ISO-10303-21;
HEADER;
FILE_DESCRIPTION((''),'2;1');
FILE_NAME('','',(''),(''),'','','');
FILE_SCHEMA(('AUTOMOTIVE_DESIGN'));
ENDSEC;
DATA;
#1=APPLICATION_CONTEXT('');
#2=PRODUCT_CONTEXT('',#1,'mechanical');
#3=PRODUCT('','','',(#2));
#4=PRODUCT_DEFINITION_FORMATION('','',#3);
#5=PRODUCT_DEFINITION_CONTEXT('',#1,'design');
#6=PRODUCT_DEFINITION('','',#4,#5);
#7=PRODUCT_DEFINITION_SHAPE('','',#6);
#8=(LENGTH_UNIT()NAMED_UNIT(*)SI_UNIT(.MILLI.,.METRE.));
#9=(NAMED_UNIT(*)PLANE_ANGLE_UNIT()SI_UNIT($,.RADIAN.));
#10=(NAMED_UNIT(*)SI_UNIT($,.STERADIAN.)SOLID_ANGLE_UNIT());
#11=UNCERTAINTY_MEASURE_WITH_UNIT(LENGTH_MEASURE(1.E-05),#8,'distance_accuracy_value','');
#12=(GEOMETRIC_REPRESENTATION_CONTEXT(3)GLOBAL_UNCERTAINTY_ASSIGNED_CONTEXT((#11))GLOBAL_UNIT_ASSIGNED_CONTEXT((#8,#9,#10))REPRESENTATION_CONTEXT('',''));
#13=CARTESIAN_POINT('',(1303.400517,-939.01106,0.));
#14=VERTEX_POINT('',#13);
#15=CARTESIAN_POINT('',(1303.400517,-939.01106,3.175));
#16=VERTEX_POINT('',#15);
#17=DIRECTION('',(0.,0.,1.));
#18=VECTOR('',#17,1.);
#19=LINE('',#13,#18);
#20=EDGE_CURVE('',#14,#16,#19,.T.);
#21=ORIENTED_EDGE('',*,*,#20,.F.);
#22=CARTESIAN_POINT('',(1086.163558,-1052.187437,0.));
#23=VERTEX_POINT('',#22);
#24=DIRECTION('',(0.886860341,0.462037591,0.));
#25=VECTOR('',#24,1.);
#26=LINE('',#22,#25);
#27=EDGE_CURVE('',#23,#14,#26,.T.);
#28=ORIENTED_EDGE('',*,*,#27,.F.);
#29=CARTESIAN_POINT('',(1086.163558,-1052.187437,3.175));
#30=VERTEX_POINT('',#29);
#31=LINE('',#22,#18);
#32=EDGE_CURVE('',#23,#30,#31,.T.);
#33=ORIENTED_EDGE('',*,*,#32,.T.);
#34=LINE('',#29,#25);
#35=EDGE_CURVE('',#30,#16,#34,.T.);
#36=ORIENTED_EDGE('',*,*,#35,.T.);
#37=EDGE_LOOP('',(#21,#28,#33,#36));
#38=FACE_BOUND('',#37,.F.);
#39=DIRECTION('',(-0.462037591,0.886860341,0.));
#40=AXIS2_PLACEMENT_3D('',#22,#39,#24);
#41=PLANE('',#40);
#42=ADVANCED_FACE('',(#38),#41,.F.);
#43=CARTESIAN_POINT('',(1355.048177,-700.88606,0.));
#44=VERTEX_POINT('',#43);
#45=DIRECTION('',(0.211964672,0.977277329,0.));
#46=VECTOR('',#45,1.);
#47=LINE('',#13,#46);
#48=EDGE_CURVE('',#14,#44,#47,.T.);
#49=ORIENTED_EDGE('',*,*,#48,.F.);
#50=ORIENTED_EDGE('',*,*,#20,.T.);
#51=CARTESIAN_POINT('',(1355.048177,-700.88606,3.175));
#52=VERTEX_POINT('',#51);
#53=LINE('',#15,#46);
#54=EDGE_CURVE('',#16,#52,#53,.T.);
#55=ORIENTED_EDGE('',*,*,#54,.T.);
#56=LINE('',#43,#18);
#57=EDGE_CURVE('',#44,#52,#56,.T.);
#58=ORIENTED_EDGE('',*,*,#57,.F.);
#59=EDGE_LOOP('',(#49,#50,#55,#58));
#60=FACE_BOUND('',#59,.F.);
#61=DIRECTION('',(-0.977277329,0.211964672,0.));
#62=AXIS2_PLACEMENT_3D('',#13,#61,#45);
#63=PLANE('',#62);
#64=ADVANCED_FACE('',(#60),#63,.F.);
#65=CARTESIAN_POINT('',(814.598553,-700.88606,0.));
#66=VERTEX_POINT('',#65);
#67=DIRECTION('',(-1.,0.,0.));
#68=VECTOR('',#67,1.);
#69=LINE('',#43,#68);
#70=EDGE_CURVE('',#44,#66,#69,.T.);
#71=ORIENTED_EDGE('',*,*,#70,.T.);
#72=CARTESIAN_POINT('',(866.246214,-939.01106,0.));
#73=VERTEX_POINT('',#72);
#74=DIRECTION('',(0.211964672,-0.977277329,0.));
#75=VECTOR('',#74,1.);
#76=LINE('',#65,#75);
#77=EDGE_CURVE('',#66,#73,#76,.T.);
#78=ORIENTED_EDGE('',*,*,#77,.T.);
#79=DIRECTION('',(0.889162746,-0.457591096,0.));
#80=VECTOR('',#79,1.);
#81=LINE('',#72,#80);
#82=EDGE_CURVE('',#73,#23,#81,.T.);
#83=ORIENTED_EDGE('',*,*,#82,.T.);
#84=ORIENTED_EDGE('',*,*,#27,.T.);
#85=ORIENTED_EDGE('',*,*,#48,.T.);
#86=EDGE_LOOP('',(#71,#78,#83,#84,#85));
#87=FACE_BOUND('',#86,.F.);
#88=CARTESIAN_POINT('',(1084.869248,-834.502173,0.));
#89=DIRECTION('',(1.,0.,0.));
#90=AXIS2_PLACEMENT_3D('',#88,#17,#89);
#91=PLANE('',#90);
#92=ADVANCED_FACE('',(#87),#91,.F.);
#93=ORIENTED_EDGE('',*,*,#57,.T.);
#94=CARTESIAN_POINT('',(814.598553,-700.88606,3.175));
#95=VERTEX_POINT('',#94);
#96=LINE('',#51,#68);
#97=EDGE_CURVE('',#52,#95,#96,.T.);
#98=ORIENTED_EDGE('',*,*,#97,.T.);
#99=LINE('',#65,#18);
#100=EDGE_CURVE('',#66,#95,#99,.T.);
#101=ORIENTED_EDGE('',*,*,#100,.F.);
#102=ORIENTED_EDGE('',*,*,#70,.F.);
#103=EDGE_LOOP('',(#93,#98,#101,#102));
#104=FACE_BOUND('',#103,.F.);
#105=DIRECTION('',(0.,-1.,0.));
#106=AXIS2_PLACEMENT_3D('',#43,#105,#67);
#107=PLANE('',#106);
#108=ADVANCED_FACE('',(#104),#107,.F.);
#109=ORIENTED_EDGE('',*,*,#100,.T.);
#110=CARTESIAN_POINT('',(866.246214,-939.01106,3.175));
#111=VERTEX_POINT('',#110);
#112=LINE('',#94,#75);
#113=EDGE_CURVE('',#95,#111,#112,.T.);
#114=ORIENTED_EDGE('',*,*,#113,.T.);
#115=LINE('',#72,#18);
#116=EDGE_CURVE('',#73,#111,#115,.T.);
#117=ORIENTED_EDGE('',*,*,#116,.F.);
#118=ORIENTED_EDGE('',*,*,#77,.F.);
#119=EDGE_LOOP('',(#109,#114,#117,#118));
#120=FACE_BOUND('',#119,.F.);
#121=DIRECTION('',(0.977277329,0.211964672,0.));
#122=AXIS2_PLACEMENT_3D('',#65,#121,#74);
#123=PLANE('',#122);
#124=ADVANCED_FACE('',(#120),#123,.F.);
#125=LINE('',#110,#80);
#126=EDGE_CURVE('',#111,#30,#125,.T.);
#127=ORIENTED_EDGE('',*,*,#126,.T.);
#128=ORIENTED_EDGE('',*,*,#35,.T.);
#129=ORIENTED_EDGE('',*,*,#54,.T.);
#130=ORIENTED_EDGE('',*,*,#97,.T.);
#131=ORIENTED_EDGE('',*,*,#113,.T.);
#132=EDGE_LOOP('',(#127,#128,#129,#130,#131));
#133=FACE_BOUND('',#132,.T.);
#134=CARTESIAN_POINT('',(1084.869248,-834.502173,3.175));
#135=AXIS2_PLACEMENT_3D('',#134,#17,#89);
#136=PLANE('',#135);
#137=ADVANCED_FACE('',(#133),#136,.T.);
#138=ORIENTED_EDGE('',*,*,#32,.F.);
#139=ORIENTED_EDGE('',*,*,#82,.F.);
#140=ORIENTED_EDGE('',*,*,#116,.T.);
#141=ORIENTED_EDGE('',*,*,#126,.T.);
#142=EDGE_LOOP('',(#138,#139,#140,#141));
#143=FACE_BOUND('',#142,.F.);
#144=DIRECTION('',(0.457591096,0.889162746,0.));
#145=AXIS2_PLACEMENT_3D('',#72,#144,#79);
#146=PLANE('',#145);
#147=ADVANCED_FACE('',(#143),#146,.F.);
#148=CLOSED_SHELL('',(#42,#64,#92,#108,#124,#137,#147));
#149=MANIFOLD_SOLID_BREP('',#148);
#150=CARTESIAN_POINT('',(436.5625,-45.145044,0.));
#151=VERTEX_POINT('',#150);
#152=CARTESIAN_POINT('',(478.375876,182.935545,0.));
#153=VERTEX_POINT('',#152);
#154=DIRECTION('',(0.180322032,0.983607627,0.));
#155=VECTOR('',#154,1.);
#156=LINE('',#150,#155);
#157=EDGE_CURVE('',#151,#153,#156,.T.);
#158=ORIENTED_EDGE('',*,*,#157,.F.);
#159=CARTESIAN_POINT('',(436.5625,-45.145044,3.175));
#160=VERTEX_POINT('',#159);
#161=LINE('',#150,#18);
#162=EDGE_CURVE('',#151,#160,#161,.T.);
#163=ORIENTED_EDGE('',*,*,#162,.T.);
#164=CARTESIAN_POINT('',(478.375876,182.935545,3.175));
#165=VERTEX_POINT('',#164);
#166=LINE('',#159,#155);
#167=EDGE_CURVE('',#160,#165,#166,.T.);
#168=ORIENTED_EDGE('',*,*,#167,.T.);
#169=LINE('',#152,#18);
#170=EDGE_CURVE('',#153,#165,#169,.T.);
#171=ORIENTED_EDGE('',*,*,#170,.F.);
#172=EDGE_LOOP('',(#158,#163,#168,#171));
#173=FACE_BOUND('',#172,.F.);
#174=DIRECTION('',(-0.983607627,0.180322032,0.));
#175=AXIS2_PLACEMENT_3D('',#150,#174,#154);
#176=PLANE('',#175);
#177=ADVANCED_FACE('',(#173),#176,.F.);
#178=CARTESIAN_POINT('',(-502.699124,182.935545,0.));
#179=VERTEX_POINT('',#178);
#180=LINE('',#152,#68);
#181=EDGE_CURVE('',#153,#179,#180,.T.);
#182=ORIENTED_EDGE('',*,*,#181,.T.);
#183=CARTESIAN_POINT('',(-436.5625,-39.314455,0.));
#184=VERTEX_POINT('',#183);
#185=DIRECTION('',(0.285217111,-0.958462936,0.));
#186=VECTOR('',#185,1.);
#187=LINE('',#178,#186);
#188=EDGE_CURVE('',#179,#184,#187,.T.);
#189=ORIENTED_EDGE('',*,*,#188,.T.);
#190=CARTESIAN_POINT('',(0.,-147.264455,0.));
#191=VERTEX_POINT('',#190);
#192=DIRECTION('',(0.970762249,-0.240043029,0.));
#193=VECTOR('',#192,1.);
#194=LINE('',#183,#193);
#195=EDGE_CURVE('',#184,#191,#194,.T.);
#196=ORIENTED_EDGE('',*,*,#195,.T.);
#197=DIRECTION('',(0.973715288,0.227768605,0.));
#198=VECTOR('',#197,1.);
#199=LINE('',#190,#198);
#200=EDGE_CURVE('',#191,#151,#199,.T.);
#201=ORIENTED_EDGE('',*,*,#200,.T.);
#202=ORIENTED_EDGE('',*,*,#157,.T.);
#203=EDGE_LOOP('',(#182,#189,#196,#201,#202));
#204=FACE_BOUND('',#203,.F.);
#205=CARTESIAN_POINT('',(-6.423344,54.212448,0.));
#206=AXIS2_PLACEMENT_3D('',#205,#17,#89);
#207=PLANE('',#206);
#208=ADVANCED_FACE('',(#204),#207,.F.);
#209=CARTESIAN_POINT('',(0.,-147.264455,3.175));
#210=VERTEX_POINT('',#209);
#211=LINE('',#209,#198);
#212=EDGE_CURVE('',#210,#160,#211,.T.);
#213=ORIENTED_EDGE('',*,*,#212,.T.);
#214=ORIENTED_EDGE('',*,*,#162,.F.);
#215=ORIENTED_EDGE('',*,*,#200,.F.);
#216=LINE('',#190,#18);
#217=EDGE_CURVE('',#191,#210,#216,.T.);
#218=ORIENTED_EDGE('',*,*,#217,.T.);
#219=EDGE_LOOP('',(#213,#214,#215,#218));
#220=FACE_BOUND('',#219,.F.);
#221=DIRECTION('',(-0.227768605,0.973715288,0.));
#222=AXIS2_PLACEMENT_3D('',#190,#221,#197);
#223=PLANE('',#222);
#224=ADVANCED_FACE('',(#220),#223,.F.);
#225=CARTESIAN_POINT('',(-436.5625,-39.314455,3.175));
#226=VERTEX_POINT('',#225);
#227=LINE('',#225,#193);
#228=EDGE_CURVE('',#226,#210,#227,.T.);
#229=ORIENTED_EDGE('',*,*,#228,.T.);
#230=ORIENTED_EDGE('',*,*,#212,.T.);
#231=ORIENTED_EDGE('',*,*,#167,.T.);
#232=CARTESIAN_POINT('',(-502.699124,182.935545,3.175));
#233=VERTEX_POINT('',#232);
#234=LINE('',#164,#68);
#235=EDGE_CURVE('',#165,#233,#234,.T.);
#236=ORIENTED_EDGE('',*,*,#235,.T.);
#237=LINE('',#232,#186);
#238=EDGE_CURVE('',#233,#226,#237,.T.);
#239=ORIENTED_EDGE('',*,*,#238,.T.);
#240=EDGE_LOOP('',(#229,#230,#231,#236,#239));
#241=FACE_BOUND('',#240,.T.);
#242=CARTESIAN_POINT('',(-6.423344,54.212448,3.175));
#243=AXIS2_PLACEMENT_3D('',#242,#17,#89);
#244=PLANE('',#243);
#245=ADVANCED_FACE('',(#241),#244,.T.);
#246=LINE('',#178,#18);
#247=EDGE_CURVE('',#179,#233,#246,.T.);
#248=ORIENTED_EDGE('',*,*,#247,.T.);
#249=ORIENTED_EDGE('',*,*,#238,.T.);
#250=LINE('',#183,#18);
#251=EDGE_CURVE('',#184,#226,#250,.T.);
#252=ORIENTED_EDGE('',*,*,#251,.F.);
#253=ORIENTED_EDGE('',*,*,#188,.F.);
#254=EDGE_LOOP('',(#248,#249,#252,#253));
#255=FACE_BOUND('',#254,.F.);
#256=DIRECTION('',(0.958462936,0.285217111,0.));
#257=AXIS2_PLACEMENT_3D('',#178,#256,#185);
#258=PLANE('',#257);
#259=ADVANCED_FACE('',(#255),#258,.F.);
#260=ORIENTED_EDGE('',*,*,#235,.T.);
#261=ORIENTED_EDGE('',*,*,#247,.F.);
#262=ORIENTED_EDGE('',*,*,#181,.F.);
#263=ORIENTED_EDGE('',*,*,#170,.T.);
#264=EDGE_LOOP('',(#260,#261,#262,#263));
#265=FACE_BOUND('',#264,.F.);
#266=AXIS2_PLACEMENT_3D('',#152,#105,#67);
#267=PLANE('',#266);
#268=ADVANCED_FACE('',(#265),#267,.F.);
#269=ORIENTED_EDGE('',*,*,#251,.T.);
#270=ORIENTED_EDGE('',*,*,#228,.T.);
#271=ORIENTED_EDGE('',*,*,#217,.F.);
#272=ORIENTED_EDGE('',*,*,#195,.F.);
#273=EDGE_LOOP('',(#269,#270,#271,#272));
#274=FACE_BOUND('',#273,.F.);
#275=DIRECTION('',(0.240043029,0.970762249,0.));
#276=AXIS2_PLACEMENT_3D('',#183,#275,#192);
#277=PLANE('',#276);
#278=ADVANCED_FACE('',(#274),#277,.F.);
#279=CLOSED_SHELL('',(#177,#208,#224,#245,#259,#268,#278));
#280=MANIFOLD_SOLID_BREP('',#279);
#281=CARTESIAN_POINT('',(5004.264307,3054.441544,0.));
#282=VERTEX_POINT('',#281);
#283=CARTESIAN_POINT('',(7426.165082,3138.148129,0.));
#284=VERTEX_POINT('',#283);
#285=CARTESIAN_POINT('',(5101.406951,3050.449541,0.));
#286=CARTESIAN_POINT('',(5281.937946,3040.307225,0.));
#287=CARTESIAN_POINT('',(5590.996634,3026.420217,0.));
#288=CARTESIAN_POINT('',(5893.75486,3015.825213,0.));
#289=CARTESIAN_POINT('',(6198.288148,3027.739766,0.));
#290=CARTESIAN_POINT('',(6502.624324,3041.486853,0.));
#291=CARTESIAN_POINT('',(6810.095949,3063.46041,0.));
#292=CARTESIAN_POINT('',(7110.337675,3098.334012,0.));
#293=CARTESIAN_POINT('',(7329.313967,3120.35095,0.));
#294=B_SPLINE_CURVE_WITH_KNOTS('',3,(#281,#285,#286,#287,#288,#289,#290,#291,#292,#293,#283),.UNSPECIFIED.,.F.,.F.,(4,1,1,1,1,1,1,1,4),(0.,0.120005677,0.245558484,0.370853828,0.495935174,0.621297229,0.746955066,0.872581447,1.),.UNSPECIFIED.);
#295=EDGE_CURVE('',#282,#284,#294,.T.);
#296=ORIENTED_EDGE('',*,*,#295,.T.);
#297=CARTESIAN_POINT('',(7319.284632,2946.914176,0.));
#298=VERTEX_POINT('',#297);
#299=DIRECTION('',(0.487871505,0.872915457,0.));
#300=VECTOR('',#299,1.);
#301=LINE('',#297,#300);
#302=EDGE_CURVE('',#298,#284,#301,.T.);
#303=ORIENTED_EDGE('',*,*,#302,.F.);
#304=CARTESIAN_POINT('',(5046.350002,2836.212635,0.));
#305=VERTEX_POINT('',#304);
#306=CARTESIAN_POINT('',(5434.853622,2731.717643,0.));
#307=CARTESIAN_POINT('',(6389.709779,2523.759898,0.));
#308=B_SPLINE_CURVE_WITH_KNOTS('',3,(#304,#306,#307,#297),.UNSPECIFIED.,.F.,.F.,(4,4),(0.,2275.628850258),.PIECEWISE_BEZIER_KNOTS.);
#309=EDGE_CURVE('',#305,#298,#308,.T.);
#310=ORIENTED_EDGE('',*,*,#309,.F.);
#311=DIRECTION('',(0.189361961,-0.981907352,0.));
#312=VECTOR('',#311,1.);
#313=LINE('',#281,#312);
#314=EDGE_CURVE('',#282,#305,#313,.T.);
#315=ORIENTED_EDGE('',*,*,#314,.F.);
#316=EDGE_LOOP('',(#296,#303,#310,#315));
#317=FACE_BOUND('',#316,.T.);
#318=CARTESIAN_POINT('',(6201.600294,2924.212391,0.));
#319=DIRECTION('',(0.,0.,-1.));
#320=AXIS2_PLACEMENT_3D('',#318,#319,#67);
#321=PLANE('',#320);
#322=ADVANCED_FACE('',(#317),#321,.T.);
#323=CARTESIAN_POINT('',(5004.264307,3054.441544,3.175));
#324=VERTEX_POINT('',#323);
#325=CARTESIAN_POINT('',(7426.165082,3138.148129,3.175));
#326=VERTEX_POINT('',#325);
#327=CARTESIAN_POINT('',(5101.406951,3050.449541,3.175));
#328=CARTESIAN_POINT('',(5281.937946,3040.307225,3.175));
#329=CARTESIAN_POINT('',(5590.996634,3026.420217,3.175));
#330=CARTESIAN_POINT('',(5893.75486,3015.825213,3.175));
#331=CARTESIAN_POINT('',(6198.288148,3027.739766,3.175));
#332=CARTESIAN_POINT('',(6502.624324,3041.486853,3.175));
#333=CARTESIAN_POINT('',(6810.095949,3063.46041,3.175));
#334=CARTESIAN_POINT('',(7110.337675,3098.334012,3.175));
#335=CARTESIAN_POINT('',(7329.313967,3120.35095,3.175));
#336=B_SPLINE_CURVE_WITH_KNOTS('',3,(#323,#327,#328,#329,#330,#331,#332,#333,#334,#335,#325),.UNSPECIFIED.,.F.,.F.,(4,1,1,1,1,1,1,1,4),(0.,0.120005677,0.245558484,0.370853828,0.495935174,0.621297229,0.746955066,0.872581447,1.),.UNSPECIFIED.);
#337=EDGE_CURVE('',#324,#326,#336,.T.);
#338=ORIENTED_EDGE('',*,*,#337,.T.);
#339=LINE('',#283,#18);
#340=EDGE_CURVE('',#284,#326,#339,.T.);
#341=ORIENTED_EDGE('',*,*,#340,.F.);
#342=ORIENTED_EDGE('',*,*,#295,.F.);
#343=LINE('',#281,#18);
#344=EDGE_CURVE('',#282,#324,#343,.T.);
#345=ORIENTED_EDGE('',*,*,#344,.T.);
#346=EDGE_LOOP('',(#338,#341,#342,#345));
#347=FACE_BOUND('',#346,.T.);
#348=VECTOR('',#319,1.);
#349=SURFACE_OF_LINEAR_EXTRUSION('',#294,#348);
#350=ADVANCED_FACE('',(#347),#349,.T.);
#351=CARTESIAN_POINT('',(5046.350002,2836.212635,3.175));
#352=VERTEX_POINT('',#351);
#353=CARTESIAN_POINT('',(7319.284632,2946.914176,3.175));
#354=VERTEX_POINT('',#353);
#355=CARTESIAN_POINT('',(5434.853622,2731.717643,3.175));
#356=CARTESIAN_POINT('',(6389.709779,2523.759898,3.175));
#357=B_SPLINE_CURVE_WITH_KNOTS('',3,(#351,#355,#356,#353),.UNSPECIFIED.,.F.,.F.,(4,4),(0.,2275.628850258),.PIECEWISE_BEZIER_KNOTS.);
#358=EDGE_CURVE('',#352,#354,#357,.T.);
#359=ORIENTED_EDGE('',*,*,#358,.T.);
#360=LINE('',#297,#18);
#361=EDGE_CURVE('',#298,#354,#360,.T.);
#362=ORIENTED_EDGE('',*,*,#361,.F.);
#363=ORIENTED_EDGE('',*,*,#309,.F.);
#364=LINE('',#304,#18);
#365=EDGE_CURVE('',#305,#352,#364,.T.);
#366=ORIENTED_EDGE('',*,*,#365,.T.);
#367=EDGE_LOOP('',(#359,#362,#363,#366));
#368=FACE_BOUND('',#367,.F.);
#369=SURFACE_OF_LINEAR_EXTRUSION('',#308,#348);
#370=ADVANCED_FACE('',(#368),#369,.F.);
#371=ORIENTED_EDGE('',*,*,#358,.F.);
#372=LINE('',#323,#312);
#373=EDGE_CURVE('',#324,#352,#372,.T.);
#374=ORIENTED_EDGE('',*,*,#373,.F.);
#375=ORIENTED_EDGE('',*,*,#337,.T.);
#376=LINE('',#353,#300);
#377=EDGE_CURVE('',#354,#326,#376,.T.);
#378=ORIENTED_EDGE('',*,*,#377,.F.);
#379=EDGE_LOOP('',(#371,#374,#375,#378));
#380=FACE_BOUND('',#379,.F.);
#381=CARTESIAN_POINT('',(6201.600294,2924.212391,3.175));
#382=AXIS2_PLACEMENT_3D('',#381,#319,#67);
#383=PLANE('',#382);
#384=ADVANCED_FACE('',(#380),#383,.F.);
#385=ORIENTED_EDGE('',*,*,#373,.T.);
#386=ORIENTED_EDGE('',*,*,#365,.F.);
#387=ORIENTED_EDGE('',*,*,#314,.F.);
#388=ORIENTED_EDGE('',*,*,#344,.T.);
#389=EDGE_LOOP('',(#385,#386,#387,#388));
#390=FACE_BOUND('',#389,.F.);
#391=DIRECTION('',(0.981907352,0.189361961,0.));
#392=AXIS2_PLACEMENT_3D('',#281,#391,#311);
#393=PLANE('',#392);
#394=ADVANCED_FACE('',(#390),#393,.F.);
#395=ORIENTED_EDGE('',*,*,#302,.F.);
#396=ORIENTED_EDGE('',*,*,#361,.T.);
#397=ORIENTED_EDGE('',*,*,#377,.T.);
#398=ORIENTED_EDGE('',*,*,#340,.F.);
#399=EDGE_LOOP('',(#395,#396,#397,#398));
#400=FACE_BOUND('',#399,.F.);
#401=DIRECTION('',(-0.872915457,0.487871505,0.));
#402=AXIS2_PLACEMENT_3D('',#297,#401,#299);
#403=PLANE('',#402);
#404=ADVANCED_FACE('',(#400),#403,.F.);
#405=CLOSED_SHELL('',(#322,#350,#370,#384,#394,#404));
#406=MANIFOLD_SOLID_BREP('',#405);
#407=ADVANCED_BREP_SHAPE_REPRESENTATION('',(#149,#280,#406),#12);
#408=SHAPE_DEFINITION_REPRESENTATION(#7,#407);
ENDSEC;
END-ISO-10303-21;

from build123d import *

# Parameters (mm, degrees)
F1_DEPTH = 3.175


with BuildPart() as f1:
    # F0 (on Top) → F1 (new body)
    with BuildSketch(Plane.XY):
        Polygon((478.3758758316, 182.9355446815), (-502.6991241684, 182.9355446815), (-436.5625, -39.3144553185), (0, -147.2644553185), (436.5625, -45.1450444118), align=None)
    extrude(amount=F1_DEPTH)


with BuildPart() as f1b:
    # F0 (on Top) → F1, piece 2 (new body)
    with BuildSketch(Plane.XY):
        Polygon((1355.0481769202, -700.8860598505), (814.5985533949, -700.8860598505), (866.2462137248, -939.0110598505), (1086.1635581172, -1052.187437497), (1303.4005165903, -939.0110598505), align=None)
    extrude(amount=F1_DEPTH)


with BuildPart() as f1c:
    # F0 (on Top) → F1, piece 3 (new body)
    with BuildSketch(Plane.XY):
        with BuildLine():
            add(Edge.make_bspline(
                [(5004.2643065248, 3054.4415440145), (5101.4069513777, 3050.4495410192), (5281.9379455615, 3040.3072252803), (5590.9966337127, 3026.4202168743), (5893.7548598436, 3015.825212992), (6198.2881476865, 3027.7397664991), (6502.6243242214, 3041.4868527125), (6810.0959489947, 3063.460409532), (7110.3376749352, 3098.3340122565), (7329.3139665379, 3120.3509502336), (7426.1650824293, 3138.1481291863)],
                knots=[0, 0, 0, 0, 0.1200056765, 0.2455584837, 0.370853828, 0.4959351742, 0.6212972289, 0.7469550661, 0.8725814469, 1, 1, 1, 1], degree=3))
            Line((5004.2643065248, 3054.4415440145), (5046.3500022888, 2836.2126350403))
            add(Edge.make_bspline(
                [(5046.3500022888, 2836.2126350403), (5434.8536215423, 2731.7176427074), (6389.7097788452, 2523.759898109), (7319.2846324672, 2946.9141755042)],
                knots=[0, 0, 0, 0, 2275.6288502577, 2275.6288502577, 2275.6288502577, 2275.6288502577], degree=3))
            Line((7319.2846324672, 2946.9141755042), (7426.1650824293, 3138.1481291863))
        make_face()
    extrude(amount=F1_DEPTH)


solid = Compound([f1.part, f1b.part, f1c.part])
